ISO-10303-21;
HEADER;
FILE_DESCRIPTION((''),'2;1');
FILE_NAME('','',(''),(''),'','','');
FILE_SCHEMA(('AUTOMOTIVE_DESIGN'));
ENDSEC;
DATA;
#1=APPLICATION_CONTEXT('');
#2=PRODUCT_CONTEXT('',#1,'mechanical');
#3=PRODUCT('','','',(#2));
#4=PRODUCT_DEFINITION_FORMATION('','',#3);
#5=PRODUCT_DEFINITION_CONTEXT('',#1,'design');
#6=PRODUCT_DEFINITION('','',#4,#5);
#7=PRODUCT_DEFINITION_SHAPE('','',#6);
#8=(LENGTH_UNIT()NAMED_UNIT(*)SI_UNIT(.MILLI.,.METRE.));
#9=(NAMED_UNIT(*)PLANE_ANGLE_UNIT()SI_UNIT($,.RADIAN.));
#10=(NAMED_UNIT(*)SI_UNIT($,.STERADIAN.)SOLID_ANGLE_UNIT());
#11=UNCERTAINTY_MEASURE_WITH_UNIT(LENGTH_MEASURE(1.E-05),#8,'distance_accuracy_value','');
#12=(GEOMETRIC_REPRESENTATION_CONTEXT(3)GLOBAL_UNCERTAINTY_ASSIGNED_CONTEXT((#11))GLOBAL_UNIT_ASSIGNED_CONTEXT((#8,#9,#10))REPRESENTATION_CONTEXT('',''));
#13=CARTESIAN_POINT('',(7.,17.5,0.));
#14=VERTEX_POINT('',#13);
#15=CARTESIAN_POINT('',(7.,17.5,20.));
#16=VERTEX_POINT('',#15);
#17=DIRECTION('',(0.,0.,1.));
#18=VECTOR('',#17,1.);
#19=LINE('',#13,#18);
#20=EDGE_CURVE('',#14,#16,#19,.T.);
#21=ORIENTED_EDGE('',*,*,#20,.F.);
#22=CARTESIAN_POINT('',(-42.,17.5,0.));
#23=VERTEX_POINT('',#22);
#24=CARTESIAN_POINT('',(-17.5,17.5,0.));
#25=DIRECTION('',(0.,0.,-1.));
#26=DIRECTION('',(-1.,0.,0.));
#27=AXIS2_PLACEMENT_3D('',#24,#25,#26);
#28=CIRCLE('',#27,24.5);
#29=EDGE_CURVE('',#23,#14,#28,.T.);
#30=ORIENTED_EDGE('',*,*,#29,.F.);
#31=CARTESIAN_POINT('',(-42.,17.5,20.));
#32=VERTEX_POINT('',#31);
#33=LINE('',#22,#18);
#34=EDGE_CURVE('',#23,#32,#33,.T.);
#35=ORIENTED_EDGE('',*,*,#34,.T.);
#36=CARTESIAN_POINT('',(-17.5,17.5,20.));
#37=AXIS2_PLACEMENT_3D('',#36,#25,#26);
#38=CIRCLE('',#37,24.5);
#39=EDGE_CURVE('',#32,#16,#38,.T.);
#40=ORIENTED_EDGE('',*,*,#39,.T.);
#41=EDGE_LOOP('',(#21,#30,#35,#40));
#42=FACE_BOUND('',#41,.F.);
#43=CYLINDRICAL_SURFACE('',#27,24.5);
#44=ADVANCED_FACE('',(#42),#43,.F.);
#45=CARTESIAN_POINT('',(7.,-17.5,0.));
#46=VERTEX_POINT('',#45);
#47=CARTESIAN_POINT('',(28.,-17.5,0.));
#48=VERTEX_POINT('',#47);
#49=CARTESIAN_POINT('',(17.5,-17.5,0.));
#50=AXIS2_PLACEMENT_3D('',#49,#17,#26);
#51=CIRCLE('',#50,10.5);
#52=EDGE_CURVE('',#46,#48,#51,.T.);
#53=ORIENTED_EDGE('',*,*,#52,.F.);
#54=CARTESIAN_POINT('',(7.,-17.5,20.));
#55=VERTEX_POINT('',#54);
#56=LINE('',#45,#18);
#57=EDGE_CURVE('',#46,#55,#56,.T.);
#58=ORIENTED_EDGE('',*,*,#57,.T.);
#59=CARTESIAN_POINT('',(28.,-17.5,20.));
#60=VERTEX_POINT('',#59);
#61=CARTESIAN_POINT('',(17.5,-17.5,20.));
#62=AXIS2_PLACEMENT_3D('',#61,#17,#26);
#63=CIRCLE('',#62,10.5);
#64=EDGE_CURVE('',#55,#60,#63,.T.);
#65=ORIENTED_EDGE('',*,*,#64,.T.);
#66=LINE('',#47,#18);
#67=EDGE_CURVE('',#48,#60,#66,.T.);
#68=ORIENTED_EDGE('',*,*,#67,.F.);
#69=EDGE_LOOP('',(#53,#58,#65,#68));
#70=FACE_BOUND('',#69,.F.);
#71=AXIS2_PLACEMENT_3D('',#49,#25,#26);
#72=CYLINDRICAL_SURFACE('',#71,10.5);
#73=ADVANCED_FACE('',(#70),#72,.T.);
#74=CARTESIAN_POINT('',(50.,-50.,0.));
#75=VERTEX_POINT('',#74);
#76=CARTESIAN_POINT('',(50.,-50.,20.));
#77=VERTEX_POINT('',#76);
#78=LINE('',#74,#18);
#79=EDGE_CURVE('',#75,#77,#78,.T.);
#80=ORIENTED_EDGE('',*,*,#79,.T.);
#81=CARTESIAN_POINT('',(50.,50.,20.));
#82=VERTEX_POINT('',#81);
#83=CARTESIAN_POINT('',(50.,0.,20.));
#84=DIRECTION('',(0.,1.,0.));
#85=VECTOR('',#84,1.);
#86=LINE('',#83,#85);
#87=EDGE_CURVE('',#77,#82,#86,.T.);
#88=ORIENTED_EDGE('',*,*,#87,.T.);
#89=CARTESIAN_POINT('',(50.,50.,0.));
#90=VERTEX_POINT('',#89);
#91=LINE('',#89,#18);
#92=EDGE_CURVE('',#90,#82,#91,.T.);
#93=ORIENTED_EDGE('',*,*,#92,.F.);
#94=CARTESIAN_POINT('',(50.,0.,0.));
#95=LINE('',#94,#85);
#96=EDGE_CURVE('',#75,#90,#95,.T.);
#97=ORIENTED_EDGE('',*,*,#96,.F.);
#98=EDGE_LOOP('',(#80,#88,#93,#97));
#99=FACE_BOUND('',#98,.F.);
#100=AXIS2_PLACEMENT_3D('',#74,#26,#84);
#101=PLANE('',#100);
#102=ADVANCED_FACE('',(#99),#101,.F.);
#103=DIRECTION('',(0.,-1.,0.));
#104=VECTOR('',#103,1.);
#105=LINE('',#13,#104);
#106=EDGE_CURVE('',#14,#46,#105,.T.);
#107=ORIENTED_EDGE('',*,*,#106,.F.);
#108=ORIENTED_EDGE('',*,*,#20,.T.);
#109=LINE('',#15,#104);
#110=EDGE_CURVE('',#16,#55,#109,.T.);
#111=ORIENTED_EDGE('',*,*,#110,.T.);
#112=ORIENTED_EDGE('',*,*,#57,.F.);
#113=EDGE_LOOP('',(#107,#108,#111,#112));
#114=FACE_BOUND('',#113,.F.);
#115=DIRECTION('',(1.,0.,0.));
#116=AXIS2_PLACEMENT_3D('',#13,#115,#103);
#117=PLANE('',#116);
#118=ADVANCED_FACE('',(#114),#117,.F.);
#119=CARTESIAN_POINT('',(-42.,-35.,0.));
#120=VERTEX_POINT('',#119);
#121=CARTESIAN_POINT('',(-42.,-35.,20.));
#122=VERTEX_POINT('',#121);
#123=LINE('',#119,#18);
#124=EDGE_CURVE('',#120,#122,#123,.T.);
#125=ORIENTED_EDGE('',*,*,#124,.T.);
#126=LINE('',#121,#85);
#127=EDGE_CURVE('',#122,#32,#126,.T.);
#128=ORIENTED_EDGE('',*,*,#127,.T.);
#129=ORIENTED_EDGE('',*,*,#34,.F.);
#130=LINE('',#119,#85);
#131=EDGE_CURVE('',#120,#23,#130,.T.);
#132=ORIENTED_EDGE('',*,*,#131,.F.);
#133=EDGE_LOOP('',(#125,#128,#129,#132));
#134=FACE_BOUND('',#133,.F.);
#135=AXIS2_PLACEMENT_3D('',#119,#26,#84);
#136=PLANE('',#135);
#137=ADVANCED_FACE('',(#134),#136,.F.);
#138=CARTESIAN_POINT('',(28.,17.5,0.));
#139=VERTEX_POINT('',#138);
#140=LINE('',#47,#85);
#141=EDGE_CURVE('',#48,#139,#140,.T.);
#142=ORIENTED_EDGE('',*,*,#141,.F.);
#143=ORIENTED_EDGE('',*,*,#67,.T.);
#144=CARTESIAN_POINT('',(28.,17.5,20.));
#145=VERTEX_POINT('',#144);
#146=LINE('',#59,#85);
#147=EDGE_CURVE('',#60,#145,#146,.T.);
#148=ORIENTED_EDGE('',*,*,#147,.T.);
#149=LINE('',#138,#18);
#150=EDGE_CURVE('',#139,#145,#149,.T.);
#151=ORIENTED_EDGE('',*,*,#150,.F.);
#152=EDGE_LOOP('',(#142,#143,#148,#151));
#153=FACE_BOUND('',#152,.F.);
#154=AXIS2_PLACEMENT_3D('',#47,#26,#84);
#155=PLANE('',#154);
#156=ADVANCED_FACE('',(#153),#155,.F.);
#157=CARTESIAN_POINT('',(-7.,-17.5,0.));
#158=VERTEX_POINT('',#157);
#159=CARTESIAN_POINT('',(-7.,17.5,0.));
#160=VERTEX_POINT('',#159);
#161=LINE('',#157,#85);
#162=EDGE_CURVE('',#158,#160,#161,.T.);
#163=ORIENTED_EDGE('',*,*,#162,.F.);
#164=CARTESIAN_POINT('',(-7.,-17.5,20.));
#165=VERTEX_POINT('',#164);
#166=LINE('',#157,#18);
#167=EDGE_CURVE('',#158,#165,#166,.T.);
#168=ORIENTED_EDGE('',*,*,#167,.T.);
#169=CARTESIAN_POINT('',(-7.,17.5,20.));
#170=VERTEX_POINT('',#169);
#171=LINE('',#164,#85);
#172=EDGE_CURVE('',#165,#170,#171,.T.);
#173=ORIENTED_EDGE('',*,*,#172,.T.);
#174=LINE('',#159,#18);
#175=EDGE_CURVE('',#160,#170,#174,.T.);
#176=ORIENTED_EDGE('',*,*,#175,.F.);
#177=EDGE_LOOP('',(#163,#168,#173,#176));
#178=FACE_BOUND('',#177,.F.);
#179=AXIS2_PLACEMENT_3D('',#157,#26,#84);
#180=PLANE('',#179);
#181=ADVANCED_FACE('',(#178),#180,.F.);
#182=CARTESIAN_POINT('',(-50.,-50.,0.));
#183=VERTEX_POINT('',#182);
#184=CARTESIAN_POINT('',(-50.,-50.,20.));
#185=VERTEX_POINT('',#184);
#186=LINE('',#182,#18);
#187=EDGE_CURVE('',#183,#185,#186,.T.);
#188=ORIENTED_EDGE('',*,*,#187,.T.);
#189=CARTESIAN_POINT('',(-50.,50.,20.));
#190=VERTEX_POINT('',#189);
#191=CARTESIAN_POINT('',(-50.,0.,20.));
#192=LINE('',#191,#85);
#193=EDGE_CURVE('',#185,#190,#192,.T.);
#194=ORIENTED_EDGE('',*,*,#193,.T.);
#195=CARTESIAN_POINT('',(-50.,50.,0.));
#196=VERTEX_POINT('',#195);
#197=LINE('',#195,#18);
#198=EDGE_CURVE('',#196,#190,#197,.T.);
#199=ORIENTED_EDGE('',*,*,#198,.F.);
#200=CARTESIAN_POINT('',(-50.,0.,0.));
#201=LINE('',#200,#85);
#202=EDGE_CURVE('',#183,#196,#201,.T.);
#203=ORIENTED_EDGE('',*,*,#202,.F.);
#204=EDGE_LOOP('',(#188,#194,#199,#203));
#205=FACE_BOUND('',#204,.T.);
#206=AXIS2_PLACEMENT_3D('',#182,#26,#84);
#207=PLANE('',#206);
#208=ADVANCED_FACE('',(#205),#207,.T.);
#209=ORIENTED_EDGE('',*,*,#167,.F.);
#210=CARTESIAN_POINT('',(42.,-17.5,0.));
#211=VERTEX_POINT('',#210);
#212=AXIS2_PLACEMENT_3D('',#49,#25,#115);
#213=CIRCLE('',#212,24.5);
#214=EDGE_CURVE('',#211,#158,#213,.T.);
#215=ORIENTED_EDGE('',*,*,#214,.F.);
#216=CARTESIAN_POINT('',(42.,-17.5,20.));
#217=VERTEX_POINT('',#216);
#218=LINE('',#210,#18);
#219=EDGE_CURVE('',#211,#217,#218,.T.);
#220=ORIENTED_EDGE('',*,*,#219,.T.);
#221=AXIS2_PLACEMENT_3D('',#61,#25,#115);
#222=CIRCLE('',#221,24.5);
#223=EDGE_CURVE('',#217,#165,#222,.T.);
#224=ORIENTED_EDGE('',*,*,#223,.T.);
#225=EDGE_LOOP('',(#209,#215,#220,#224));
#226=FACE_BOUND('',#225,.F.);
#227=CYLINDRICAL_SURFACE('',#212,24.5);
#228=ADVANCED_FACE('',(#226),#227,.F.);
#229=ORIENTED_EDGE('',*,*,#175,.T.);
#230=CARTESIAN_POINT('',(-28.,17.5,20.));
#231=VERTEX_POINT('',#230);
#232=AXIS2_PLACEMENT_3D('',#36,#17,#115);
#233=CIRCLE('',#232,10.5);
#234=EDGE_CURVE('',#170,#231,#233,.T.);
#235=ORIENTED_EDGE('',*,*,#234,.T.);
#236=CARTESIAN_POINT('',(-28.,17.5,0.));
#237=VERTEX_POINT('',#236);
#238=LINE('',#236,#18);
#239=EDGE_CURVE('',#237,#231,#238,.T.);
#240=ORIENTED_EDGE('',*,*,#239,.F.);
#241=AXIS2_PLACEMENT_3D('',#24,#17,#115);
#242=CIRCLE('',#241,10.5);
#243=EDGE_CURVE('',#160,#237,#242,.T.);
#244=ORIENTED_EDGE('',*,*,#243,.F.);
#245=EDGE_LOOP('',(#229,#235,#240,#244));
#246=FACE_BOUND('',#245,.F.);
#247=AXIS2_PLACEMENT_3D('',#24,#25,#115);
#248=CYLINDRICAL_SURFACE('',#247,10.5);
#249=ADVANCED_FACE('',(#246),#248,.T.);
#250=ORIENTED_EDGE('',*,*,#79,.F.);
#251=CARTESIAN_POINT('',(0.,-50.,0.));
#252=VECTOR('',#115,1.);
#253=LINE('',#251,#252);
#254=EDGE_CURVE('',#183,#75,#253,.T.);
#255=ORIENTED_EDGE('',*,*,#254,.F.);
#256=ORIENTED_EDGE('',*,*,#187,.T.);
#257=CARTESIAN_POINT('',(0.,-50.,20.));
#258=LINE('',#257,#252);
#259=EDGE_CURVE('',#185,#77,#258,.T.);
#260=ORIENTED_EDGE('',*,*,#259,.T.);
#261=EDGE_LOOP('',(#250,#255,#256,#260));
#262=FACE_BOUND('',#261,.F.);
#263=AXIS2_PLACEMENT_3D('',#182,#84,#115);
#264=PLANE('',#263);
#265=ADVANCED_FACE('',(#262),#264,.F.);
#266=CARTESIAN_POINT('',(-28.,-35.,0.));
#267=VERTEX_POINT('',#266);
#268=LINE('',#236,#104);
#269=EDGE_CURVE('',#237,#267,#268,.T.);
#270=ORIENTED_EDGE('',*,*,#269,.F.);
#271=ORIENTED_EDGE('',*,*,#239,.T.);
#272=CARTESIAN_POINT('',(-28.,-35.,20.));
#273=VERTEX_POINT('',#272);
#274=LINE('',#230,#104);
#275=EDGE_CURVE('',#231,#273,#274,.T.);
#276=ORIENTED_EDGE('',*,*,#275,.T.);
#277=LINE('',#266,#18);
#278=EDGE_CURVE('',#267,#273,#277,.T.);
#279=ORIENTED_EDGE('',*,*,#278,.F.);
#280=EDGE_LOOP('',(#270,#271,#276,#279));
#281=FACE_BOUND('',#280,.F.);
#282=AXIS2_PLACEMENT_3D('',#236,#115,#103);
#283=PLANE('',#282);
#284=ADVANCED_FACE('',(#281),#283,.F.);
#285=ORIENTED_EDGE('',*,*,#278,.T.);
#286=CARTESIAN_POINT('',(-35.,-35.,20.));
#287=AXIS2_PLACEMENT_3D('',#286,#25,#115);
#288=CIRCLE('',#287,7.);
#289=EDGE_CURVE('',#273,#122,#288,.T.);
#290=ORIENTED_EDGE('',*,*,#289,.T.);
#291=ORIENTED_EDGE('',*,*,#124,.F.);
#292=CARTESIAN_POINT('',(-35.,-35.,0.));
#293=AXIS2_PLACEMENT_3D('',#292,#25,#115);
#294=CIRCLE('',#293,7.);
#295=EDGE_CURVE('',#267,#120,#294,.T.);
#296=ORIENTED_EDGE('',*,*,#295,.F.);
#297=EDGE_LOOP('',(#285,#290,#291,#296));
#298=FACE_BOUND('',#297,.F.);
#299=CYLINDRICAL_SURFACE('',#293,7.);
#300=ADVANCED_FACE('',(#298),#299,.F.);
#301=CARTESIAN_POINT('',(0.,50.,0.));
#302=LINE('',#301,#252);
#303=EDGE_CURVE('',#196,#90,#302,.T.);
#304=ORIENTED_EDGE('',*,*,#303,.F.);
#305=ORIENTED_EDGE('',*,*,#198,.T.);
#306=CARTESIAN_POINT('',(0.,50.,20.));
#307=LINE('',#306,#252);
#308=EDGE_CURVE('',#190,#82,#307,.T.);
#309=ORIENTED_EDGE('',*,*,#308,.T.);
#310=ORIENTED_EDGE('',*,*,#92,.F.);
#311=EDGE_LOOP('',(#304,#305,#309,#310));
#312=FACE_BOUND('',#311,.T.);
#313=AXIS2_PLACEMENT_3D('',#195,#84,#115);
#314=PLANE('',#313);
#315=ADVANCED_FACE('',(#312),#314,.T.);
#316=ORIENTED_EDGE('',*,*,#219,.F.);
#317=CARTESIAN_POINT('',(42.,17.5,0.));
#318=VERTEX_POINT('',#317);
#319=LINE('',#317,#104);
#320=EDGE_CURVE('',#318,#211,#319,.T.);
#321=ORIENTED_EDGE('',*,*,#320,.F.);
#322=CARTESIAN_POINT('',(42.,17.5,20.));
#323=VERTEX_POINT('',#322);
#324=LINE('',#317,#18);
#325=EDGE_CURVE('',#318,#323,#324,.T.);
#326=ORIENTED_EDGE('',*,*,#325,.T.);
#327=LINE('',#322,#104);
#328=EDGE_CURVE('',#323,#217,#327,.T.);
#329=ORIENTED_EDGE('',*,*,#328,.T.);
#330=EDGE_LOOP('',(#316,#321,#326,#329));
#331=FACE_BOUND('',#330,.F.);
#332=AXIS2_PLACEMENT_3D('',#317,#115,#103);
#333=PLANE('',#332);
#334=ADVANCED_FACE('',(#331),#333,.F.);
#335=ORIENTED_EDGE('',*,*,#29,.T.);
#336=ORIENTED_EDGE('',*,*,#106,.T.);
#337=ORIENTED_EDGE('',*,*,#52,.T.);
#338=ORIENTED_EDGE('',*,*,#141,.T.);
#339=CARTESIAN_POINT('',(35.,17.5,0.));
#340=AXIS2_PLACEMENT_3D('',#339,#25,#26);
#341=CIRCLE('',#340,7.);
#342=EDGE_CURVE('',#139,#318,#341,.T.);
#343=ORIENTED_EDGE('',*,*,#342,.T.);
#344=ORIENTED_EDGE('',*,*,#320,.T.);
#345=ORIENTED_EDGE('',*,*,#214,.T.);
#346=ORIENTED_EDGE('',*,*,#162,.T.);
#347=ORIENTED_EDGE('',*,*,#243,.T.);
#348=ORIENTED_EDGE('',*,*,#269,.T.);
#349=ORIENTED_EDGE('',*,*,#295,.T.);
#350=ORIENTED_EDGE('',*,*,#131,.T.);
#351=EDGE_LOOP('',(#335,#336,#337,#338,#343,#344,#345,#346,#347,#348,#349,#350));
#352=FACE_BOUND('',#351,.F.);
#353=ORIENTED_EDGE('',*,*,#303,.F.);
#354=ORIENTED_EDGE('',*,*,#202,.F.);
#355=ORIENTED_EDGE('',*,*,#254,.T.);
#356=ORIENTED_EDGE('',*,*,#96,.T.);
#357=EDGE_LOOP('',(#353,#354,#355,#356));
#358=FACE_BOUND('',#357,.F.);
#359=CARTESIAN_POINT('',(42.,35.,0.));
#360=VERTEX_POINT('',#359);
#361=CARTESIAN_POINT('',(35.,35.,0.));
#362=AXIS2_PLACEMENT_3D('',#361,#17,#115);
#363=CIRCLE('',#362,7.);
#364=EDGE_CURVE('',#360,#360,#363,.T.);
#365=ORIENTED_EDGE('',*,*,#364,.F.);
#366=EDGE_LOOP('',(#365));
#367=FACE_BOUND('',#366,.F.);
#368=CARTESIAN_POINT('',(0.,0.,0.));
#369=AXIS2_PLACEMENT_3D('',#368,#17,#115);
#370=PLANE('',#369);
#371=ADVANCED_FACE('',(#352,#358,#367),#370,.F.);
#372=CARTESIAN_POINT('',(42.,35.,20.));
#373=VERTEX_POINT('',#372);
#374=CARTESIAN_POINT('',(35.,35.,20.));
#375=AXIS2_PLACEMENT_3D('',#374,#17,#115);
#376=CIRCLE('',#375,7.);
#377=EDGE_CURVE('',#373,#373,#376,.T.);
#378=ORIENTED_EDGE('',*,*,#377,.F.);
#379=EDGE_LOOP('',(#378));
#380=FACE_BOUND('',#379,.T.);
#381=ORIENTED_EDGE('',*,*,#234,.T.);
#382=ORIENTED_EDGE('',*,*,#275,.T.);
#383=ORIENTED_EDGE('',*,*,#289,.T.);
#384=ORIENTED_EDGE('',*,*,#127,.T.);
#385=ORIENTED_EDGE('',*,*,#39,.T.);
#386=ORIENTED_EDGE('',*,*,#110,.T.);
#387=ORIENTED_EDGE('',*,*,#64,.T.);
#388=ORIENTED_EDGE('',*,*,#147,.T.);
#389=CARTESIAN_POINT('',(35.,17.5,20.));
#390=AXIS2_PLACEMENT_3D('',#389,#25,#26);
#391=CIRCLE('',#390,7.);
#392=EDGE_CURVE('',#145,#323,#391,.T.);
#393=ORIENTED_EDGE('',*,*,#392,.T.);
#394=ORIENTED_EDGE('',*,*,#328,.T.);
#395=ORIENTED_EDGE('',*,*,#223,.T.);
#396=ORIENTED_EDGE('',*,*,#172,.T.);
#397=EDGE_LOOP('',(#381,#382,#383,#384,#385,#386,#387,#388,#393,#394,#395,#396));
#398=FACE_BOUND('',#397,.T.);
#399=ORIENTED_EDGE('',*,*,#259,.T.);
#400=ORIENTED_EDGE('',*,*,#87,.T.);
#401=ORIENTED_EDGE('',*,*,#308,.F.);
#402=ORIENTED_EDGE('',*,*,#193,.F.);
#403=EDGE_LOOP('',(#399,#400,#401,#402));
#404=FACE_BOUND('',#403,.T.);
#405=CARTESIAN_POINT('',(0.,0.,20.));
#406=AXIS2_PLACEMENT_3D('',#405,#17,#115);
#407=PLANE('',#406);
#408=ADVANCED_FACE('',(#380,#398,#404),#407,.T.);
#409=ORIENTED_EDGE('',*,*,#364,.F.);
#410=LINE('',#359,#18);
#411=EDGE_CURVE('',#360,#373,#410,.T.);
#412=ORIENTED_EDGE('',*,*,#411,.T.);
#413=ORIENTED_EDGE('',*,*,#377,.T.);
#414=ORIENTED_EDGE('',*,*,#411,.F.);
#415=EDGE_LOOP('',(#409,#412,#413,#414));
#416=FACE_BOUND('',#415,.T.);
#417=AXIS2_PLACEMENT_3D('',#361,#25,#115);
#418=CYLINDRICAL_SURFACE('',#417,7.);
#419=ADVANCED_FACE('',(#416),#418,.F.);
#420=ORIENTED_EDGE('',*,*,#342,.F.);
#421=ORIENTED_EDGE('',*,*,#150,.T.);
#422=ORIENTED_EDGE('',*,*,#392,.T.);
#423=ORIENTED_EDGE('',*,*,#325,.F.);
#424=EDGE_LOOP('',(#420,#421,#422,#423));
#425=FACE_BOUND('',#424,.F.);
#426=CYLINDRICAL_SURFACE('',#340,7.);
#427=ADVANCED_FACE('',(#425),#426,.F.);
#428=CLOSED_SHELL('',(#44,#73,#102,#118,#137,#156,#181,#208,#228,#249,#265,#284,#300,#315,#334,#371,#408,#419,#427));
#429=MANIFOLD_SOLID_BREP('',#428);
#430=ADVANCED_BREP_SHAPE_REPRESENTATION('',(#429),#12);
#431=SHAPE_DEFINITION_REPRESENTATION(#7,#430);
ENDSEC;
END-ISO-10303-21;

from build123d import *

# Parameters (mm, degrees)
F0_W     = 100
F0_H     = 100
F0_R     = 7
F1_DEPTH = 20


with BuildPart() as f1:
    # F0 (on Top) → F1 (new body)
    with BuildSketch(Plane.XY):
        Rectangle(F0_W, F0_H)
        with BuildLine():
            Line((-28, -17.5), (-28, -35))
            ThreePointArc((-28, -35), (-35, -42), (-42, -35))
            Line((-42, -35), (-42, -17.5))
            Line((-42, -17.5), (-42, 17.5))
            ThreePointArc((-42, 17.5), (-17.5, 42), (7, 17.5))
            Line((7, 17.5), (7, -17.5))
            ThreePointArc((7, -17.5), (17.5, -28), (28, -17.5))
            Line((28, -17.5), (28, 17.5))
            ThreePointArc((28, 17.5), (35, 24.5), (42, 17.5))
            Line((42, 17.5), (42, -17.5))
            ThreePointArc((42, -17.5), (17.5, -42), (-7, -17.5))
            Line((-7, -17.5), (-7, 17.5))
            ThreePointArc((-7, 17.5), (-17.5, 28), (-28, 17.5))
            Line((-28, 17.5), (-28, -17.5))
        make_face(mode=Mode.SUBTRACT)
        with Locations((35, 35)):
            Circle(F0_R, mode=Mode.SUBTRACT)
    extrude(amount=F1_DEPTH)


solid = f1.part
